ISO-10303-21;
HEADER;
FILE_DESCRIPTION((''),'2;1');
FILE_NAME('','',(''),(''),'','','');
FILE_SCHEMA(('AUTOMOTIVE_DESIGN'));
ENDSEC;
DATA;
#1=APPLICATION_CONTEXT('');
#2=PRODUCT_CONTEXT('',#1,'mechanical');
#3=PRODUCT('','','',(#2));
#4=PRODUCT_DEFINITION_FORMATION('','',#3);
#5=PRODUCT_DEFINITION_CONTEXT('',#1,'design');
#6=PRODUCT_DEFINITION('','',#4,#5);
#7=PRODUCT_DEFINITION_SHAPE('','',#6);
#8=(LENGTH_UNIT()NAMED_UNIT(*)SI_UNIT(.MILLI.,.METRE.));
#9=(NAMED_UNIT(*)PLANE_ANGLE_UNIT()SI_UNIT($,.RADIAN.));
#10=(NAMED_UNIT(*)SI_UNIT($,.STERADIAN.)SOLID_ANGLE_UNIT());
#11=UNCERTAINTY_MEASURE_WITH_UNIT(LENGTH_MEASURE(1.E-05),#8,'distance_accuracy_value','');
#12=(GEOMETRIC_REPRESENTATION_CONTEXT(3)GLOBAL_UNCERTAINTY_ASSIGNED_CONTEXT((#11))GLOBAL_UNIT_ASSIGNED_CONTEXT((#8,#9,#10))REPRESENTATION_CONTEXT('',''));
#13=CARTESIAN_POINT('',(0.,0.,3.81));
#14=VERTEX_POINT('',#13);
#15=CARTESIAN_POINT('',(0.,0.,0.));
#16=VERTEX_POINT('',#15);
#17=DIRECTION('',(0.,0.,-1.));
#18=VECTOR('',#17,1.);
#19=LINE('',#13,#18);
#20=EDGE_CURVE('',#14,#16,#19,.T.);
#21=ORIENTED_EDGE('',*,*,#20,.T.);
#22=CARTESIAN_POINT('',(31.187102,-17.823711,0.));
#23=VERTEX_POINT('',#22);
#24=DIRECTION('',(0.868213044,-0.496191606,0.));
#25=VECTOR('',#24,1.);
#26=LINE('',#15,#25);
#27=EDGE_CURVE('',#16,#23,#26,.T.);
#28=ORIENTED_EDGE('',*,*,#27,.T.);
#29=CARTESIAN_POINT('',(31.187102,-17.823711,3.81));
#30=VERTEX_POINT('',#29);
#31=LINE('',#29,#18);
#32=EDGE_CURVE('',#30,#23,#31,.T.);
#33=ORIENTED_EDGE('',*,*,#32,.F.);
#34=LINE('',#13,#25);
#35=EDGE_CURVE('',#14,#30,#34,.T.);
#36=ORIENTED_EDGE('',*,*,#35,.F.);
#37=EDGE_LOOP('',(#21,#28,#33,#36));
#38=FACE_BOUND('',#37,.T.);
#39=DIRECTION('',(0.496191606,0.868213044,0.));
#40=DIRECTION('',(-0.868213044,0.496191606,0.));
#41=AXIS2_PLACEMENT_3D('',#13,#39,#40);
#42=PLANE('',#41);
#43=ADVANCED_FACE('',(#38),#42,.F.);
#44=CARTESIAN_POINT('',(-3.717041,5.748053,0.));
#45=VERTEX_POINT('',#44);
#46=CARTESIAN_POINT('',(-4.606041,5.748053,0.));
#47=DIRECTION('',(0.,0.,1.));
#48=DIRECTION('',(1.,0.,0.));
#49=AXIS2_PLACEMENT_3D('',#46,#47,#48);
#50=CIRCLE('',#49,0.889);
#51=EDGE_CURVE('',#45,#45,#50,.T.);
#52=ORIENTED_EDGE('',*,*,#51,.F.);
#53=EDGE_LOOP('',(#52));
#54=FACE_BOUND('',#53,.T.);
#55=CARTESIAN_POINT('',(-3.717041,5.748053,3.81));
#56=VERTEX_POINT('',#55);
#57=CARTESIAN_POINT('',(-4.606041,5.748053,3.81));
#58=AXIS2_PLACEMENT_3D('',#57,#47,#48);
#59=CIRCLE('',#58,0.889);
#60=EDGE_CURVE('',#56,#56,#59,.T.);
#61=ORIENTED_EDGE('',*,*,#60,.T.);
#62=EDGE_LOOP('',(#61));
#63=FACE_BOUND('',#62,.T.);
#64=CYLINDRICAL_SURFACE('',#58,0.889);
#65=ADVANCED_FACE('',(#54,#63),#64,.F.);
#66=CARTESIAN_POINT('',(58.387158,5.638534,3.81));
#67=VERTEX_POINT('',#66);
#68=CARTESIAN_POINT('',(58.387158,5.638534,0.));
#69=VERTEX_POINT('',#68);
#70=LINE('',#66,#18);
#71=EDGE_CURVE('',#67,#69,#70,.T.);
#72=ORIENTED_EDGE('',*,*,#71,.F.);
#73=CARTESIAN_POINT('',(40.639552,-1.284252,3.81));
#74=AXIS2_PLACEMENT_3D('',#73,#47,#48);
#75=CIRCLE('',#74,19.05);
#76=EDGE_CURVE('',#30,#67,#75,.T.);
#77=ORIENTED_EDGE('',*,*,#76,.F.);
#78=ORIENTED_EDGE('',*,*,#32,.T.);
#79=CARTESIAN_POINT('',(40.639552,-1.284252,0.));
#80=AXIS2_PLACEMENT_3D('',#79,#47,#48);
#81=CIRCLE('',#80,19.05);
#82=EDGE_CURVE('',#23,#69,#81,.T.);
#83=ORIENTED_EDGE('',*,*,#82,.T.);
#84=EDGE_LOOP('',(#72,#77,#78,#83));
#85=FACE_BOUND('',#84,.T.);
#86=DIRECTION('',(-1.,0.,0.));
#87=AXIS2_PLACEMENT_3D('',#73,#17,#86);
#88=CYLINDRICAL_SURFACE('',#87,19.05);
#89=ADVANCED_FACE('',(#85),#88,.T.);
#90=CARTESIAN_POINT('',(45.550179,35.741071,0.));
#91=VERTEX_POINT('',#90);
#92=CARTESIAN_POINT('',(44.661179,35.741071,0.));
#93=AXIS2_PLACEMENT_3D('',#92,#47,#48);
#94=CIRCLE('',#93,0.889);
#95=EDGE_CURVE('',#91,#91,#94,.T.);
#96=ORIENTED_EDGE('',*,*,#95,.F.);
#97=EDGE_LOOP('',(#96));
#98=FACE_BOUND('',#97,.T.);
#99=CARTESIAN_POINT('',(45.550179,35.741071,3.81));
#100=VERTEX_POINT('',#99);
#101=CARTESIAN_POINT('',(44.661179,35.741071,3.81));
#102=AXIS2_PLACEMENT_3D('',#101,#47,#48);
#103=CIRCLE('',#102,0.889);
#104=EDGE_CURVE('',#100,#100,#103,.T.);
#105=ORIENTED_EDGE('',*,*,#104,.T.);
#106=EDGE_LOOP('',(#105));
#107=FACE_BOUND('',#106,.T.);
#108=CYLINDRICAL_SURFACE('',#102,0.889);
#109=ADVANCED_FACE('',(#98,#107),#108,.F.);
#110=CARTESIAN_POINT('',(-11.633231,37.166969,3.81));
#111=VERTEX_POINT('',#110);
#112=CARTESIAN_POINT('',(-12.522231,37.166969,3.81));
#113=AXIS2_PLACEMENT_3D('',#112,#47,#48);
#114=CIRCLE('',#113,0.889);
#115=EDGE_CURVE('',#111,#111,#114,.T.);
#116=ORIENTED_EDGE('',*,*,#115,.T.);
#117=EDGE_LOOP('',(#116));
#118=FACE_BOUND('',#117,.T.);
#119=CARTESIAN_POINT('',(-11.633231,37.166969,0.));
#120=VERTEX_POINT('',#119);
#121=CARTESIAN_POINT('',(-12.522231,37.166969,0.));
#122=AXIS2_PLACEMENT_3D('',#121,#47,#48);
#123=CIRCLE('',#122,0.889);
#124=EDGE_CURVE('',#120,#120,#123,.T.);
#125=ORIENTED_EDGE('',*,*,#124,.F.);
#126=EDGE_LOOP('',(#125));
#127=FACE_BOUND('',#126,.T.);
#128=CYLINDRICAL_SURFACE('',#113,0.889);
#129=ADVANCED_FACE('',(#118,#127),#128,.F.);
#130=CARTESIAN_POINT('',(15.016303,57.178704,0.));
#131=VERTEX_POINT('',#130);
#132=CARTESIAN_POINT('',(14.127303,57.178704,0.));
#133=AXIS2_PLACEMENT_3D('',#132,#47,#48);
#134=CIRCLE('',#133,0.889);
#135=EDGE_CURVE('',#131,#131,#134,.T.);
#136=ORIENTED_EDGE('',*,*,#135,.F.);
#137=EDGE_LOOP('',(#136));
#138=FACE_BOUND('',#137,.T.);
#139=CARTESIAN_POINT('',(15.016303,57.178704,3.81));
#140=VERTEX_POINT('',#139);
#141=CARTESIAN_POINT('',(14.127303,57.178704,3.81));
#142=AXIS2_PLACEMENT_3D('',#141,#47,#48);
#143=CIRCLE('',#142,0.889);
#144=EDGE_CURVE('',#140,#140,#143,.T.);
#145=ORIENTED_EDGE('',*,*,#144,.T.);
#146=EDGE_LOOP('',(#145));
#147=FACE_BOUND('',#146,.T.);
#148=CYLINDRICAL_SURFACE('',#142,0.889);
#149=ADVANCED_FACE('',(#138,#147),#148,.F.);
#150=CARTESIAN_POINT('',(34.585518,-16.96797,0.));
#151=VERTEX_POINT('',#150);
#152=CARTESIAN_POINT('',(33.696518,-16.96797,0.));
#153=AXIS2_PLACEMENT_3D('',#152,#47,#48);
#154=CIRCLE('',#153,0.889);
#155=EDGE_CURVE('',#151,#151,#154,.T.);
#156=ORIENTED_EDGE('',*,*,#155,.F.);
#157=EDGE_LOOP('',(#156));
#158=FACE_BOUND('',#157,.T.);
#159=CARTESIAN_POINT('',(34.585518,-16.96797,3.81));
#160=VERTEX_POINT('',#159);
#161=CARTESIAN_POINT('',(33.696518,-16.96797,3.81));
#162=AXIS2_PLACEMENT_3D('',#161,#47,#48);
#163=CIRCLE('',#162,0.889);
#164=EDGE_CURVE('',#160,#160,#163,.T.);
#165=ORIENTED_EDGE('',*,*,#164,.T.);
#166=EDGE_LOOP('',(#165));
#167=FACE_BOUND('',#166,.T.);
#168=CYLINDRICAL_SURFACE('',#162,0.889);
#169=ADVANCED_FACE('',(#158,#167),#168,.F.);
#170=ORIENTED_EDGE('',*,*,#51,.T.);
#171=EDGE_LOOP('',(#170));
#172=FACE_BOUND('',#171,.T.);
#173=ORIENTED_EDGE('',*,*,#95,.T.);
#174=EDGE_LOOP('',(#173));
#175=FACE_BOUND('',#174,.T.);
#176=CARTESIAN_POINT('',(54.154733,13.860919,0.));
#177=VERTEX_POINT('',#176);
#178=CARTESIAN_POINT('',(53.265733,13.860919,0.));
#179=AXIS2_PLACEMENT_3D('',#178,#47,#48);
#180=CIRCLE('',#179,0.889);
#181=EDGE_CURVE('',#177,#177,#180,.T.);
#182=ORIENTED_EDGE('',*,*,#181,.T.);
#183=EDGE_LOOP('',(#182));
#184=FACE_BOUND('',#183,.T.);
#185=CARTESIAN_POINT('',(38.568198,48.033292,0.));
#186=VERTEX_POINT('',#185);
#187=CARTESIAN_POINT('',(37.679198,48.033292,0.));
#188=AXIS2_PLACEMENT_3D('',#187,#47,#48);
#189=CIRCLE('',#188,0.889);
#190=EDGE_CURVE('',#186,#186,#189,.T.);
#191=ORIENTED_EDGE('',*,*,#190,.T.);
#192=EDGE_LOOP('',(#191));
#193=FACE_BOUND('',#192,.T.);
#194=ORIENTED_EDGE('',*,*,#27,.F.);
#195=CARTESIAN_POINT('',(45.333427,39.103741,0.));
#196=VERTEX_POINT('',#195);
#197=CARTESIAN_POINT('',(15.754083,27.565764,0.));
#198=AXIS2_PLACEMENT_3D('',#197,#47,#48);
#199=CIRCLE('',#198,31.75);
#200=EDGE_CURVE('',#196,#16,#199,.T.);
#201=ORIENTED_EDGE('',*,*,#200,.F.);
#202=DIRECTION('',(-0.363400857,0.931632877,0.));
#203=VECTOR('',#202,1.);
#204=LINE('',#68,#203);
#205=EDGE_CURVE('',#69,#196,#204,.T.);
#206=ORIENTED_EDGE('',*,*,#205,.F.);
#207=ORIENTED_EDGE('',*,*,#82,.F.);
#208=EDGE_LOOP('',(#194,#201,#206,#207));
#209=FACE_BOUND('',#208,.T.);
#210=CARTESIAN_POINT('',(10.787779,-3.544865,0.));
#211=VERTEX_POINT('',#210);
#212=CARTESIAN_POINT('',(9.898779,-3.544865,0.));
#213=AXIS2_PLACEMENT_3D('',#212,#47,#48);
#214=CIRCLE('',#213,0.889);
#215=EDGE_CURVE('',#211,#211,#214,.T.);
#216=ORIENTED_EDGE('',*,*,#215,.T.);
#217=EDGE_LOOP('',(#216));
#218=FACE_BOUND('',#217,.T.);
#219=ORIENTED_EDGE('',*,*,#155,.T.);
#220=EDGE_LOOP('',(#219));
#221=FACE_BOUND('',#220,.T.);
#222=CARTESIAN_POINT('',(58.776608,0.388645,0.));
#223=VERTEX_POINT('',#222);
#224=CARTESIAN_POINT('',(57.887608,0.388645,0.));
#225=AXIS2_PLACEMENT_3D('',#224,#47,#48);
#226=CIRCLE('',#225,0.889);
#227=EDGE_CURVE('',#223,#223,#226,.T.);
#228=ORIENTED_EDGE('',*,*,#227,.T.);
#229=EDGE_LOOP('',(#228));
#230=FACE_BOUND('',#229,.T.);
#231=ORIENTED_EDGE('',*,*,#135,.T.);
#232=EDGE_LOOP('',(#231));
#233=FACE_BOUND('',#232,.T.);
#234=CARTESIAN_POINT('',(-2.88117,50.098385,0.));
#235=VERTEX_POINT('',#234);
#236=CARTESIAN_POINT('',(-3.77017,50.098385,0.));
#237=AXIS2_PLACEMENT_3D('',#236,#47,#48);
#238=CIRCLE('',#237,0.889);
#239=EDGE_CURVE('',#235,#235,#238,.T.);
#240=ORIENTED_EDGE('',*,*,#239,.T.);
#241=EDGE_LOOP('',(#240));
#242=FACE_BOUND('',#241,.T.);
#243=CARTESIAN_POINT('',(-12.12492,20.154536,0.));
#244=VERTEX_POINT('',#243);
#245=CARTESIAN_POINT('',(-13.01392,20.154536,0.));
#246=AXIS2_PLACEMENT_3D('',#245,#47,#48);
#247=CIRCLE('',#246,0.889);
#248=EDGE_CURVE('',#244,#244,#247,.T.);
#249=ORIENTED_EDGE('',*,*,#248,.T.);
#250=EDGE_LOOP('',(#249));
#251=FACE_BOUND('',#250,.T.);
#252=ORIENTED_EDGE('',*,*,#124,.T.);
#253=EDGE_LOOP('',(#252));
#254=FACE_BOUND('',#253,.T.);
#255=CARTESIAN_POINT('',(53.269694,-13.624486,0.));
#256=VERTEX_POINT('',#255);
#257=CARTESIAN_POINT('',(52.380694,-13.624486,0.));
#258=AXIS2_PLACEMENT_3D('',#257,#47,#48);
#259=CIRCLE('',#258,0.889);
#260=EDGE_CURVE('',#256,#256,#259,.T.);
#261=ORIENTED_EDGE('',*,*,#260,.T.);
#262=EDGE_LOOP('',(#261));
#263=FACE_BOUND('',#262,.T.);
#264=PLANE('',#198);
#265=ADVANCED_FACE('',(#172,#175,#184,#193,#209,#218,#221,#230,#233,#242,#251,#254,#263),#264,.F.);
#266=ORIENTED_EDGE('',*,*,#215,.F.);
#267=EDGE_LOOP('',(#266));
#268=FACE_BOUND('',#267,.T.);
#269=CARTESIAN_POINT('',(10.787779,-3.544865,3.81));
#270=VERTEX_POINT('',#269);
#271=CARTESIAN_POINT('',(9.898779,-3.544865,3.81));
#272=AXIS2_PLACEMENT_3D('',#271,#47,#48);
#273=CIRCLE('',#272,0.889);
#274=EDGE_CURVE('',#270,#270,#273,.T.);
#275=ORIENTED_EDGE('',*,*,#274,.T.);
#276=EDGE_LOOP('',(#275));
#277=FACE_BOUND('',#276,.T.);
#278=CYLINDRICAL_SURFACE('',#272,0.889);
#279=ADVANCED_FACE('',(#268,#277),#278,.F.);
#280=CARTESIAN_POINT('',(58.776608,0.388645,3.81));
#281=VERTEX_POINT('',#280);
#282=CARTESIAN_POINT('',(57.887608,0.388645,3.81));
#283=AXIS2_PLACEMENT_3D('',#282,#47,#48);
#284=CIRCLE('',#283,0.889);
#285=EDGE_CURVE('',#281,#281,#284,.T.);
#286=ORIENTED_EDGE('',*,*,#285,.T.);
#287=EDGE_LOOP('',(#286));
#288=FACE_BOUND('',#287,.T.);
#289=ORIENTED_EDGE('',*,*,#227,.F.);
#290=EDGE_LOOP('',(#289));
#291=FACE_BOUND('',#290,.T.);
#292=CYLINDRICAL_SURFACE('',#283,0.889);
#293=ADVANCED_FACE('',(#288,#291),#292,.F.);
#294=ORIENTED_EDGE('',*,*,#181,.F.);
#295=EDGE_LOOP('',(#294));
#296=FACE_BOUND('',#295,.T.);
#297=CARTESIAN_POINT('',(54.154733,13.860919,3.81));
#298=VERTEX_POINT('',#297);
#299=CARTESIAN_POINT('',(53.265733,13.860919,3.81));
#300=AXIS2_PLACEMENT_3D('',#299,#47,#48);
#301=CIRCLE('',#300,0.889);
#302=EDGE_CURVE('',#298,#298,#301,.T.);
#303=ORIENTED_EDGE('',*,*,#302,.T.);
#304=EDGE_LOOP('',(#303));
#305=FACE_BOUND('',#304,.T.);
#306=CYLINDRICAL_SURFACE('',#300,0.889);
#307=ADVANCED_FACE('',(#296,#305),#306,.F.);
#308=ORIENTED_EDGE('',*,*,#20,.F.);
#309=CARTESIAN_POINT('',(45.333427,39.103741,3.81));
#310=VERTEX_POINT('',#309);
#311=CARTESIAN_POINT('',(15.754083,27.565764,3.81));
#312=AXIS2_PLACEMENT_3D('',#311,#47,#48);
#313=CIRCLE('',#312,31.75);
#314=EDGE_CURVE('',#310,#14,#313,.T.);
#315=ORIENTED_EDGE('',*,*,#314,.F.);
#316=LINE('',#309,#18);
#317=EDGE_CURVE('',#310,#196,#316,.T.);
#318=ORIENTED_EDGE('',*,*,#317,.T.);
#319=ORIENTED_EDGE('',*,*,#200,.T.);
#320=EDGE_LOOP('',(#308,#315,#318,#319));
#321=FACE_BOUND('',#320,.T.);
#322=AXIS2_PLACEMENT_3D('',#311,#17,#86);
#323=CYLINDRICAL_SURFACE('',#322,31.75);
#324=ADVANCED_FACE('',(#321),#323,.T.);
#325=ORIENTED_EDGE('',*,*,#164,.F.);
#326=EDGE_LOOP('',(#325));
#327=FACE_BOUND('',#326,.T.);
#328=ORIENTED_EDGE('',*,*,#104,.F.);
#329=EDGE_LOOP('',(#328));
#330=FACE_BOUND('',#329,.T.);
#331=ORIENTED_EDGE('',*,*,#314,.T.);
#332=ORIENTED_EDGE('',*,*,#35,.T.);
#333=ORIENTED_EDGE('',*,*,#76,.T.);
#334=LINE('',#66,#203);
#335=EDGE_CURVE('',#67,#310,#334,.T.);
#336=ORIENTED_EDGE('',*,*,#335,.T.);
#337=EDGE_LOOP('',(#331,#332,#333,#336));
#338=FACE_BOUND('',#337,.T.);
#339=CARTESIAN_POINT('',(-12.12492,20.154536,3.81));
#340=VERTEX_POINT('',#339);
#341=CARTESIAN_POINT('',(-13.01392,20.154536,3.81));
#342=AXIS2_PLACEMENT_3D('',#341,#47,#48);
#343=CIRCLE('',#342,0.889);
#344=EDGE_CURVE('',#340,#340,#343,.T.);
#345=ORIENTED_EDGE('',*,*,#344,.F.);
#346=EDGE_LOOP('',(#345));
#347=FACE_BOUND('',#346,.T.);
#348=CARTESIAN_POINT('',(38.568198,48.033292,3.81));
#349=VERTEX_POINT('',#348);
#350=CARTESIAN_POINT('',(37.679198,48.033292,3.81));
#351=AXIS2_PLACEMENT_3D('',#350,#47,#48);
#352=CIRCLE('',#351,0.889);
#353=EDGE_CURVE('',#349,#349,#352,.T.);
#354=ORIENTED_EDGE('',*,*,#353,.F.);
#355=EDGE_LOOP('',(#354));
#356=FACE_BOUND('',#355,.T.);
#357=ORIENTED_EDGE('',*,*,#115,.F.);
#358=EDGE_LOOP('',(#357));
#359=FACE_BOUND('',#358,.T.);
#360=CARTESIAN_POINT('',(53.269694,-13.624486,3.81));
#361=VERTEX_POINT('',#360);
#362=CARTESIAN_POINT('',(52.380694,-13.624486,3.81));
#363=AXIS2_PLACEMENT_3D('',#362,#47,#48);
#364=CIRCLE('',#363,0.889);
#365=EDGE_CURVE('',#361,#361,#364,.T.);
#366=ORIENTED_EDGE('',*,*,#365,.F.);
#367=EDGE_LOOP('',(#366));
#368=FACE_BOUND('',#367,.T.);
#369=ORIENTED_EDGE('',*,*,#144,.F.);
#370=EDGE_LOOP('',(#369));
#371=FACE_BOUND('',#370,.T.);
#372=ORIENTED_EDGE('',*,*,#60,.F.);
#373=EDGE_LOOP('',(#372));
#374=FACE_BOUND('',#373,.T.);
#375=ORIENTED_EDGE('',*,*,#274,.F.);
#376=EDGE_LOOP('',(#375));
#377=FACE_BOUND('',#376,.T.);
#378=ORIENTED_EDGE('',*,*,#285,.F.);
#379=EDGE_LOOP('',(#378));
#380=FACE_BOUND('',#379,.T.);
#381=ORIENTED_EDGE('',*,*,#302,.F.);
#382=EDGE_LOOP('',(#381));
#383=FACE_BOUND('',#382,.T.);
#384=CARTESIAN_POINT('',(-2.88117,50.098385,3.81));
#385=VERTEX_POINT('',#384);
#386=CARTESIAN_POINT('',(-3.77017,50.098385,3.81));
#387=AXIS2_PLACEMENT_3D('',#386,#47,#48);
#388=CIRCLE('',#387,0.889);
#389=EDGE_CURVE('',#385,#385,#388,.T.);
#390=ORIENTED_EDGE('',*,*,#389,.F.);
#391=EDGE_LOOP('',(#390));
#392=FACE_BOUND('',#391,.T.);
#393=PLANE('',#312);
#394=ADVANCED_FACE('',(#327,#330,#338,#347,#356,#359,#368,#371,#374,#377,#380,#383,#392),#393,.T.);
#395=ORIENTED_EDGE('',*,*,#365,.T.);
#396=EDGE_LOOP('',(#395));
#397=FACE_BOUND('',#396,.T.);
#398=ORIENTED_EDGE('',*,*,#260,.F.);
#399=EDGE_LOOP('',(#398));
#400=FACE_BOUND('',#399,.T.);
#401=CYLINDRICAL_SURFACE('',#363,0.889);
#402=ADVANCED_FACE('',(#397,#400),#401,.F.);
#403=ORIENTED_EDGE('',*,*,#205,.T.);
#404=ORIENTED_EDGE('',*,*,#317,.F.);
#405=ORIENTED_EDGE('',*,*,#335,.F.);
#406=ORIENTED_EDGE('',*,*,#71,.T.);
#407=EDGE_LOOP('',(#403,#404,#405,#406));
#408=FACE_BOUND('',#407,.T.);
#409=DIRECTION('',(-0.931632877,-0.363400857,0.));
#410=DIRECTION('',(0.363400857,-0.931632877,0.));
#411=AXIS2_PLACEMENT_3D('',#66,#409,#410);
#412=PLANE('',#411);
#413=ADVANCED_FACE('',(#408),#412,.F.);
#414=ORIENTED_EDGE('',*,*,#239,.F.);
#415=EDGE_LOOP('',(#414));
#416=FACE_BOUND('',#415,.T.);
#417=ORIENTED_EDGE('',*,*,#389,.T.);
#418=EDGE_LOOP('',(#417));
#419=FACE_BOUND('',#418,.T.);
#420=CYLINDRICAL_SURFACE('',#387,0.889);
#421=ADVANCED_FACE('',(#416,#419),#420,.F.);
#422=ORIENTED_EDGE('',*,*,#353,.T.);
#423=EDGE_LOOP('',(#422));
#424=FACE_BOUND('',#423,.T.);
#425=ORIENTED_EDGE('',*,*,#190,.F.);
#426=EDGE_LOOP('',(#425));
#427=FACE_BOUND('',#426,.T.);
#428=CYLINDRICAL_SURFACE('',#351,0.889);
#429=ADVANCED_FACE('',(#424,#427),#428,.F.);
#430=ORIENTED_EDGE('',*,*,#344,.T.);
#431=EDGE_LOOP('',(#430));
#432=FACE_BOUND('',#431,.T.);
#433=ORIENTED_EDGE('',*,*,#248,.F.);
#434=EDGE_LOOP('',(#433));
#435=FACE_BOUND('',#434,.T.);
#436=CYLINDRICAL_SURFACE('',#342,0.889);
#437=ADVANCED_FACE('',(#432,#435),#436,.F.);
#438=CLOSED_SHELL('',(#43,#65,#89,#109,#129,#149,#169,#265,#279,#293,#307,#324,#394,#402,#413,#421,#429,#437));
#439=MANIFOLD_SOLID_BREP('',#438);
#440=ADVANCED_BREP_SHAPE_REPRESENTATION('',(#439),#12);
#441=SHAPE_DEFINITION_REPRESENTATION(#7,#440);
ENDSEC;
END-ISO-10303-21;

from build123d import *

# Parameters (mm, degrees)
BOSS_EXTRUDE1_DEPTH        = 3.81
F_50_0_07_DIAMETER_HOLE3_D = 1.778


with BuildPart() as part:
    # Sketch1 → Boss-Extrude1 (new body)
    with BuildSketch(Plane.XY):
        with BuildLine():
            Line((0, 0), (31.187102024, -17.823710818))
            ThreePointArc((31.187102024, -17.823710818), (53.082286429, -15.709260563), (58.387158413, 5.638534012))
            Line((58.387158413, 5.638534012), (45.333427314, 39.103741383))
            ThreePointArc((45.333427314, 39.103741383), (-4.983807045, 51.60744456), (0, 0))
        make_face()
    extrude(amount=BOSS_EXTRUDE1_DEPTH)

    # #50 (0.07) Diameter Hole3 (through all)
    with Locations(Plane.XY.offset(3.81)):
        with Locations((-3.770169746, 50.098384989), (14.127303317, 57.178704003), (37.679197815, 48.033291943), (57.887608334, 0.388645245), (52.380693545, -13.624486137), (33.69651837, -16.967970116), (9.898779461, -3.544865319), (-4.606040741, 5.748053387), (-13.01391957, 20.154535826), (-12.52223075, 37.166969012), (44.661179065, 35.741071433), (53.265733422, 13.860918924)):
            Hole(F_50_0_07_DIAMETER_HOLE3_D / 2)


solid = part.part
